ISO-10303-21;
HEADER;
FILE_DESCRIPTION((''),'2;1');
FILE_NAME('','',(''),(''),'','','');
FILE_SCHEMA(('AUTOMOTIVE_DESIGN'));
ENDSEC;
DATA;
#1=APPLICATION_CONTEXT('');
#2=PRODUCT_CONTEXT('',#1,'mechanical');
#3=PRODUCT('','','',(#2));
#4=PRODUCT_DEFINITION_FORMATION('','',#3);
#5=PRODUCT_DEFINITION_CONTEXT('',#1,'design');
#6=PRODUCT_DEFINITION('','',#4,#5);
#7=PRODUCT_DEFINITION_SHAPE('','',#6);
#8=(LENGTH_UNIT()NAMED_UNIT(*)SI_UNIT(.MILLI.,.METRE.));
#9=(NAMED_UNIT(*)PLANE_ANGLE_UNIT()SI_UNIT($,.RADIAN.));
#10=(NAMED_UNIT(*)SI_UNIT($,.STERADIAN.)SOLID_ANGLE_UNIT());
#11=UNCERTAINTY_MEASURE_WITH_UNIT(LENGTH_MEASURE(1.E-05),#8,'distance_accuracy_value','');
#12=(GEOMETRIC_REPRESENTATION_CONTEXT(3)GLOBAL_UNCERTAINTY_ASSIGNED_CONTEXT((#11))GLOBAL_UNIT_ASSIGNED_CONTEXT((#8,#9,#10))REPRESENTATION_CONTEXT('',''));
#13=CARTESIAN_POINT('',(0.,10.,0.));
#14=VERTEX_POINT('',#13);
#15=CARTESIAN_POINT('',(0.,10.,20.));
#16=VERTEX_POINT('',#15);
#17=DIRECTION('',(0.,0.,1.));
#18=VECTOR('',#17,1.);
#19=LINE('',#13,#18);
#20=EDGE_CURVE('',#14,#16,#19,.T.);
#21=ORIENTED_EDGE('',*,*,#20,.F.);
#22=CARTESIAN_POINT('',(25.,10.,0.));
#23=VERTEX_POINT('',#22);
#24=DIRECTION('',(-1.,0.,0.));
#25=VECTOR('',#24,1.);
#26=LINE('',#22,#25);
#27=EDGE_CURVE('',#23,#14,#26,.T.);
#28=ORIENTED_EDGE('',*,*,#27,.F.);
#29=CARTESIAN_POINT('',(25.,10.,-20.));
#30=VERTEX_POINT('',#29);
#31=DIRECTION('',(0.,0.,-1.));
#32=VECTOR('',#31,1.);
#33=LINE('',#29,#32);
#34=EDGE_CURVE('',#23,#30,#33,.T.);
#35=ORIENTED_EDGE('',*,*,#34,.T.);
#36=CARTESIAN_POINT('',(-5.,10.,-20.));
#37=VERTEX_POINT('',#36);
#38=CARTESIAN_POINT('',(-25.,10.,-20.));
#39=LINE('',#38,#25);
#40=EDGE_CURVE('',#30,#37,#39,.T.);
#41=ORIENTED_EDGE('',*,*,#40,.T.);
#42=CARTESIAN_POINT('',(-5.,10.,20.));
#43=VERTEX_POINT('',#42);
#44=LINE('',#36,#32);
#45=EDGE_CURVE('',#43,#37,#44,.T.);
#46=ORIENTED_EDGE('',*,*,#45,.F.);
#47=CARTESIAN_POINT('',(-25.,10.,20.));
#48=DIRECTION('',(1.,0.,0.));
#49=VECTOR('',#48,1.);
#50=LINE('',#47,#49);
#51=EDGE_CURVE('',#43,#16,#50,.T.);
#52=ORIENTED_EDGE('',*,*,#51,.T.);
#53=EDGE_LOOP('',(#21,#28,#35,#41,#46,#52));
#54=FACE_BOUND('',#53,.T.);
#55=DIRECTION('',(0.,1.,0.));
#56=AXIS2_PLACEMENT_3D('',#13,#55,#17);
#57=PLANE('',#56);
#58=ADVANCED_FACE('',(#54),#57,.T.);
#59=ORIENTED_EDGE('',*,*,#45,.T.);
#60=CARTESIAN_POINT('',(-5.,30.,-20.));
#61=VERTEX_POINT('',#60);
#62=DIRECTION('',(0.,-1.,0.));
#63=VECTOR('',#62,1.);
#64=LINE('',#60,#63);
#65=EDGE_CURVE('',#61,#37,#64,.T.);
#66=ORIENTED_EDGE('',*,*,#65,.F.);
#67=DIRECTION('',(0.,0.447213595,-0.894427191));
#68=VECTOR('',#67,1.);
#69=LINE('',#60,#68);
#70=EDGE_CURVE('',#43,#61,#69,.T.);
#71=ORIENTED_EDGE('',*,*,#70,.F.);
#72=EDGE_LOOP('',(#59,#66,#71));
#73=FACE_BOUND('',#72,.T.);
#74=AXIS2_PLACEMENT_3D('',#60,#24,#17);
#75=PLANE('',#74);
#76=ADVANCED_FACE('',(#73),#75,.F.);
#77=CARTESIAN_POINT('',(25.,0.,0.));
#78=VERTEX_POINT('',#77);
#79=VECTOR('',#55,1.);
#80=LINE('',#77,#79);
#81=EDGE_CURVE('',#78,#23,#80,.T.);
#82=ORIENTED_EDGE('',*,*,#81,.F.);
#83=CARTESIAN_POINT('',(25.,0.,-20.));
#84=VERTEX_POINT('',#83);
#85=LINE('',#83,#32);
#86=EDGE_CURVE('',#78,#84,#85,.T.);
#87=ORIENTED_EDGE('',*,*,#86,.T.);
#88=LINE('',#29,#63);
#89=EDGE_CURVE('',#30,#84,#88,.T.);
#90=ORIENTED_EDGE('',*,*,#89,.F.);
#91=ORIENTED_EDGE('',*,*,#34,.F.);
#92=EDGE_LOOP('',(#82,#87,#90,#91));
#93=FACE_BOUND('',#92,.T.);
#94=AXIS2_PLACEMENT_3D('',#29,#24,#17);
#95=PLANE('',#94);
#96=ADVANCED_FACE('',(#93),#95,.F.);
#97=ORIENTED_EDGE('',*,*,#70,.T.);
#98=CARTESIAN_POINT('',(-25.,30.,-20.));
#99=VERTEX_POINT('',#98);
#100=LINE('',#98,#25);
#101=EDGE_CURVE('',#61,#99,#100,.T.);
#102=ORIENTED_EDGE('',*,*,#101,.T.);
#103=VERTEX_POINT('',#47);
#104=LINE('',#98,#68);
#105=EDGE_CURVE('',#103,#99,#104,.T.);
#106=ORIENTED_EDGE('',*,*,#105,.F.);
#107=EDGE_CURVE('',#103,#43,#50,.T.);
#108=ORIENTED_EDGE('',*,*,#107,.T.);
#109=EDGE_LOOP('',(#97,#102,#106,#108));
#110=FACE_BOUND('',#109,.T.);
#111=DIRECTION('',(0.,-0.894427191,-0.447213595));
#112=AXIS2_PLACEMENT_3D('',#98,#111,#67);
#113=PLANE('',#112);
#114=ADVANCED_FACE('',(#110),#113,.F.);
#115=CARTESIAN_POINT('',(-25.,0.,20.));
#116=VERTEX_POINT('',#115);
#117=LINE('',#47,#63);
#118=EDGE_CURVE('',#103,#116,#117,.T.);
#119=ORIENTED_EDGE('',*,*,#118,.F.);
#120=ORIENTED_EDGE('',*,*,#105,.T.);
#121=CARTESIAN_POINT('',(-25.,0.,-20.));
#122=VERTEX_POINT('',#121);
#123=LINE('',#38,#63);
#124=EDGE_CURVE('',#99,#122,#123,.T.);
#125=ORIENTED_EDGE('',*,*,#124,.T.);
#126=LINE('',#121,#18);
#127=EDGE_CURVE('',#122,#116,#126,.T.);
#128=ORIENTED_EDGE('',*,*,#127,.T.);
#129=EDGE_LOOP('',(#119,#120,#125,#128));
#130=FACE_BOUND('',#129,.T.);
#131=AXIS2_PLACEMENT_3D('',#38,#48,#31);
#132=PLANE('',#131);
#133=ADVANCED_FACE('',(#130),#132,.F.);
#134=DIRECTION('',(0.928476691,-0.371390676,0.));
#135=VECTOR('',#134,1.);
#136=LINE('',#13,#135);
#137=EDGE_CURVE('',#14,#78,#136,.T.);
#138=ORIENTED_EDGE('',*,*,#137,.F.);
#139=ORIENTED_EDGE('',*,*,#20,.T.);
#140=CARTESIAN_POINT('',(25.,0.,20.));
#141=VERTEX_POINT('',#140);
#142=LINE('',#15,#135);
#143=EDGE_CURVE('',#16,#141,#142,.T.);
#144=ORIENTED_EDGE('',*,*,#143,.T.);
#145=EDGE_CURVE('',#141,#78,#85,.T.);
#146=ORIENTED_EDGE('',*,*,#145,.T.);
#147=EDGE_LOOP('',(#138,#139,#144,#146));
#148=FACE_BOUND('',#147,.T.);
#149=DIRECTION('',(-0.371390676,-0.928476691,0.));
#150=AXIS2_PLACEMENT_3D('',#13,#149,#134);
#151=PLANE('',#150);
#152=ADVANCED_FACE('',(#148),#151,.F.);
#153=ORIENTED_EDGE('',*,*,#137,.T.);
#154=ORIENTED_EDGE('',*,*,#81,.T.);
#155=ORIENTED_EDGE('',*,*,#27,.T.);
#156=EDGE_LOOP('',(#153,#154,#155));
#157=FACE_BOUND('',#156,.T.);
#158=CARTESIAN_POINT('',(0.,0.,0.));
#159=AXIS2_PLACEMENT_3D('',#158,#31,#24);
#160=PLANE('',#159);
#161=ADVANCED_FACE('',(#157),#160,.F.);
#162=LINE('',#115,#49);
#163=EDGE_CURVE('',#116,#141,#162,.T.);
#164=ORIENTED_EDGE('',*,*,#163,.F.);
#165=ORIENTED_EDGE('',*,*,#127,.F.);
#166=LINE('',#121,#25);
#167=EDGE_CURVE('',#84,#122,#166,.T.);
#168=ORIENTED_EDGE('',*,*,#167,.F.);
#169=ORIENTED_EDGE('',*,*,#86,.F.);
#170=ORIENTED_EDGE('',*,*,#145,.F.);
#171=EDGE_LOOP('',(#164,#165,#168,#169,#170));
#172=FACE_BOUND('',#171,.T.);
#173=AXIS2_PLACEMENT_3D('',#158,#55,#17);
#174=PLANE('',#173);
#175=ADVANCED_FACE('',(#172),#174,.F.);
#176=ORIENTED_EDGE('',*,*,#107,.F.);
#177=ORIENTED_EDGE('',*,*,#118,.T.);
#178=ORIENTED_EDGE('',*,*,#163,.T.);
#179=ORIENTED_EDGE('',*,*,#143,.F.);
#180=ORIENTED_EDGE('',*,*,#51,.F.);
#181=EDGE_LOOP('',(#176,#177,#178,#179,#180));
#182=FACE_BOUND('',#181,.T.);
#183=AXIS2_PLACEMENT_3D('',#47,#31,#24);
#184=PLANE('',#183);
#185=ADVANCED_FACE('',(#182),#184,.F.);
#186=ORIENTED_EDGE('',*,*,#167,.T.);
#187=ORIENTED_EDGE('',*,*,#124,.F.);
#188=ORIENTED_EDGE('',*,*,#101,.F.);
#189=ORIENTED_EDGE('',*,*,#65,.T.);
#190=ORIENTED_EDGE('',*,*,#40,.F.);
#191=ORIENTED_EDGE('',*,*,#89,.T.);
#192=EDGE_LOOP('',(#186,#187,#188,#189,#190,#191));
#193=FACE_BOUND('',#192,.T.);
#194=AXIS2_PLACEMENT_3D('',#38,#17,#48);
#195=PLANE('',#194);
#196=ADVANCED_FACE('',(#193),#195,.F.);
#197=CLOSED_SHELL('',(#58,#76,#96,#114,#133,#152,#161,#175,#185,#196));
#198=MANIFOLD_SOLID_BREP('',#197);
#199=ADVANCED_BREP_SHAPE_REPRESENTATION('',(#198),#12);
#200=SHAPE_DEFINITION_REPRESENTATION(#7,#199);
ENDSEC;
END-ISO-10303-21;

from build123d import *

# Parameters (mm, degrees)
SKETCH1_W           = 50
SKETCH1_H           = 40
BOSS_EXTRUDE1_DEPTH = 10
SKETCH2_W           = 20
SKETCH2_H           = 40
BOSS_EXTRUDE2_DEPTH = 20
CUT_EXTRUDE1_DEPTH  = 20
CUT_EXTRUDE5_DEPTH  = 20


with BuildPart() as part:
    # Sketch1 → Boss-Extrude1 (new body)
    with BuildSketch(Plane(origin=(0, 0, 0), x_dir=(1, 0, 0), z_dir=(0, 1, 0))):
        Rectangle(SKETCH1_W, SKETCH1_H)
    extrude(amount=BOSS_EXTRUDE1_DEPTH)

    # Sketch2 → Boss-Extrude2 (add)
    with BuildSketch(Plane(origin=(0, 10, 0), x_dir=(1, 0, 0), z_dir=(0, 1, 0))):
        with Locations((-15, 0)):
            Rectangle(SKETCH2_W, SKETCH2_H)
    extrude(amount=BOSS_EXTRUDE2_DEPTH)

    # Sketch3 → Cut-Extrude1 (cut)
    with BuildSketch(Plane(origin=(-5, 0, 0), x_dir=(0, 0, -1), z_dir=(1, 0, 0))):
        Polygon((20, 30), (-20, 10), (-20, 30), align=None)
    extrude(amount=-CUT_EXTRUDE1_DEPTH, mode=Mode.SUBTRACT)

    # Sketch5 → Cut-Extrude5 (cut)
    with BuildSketch(Plane.XY.offset(20)):
        Polygon((0, 10), (25, 0), (25, 10), align=None)
    extrude(amount=-CUT_EXTRUDE5_DEPTH, mode=Mode.SUBTRACT)


solid = part.part
